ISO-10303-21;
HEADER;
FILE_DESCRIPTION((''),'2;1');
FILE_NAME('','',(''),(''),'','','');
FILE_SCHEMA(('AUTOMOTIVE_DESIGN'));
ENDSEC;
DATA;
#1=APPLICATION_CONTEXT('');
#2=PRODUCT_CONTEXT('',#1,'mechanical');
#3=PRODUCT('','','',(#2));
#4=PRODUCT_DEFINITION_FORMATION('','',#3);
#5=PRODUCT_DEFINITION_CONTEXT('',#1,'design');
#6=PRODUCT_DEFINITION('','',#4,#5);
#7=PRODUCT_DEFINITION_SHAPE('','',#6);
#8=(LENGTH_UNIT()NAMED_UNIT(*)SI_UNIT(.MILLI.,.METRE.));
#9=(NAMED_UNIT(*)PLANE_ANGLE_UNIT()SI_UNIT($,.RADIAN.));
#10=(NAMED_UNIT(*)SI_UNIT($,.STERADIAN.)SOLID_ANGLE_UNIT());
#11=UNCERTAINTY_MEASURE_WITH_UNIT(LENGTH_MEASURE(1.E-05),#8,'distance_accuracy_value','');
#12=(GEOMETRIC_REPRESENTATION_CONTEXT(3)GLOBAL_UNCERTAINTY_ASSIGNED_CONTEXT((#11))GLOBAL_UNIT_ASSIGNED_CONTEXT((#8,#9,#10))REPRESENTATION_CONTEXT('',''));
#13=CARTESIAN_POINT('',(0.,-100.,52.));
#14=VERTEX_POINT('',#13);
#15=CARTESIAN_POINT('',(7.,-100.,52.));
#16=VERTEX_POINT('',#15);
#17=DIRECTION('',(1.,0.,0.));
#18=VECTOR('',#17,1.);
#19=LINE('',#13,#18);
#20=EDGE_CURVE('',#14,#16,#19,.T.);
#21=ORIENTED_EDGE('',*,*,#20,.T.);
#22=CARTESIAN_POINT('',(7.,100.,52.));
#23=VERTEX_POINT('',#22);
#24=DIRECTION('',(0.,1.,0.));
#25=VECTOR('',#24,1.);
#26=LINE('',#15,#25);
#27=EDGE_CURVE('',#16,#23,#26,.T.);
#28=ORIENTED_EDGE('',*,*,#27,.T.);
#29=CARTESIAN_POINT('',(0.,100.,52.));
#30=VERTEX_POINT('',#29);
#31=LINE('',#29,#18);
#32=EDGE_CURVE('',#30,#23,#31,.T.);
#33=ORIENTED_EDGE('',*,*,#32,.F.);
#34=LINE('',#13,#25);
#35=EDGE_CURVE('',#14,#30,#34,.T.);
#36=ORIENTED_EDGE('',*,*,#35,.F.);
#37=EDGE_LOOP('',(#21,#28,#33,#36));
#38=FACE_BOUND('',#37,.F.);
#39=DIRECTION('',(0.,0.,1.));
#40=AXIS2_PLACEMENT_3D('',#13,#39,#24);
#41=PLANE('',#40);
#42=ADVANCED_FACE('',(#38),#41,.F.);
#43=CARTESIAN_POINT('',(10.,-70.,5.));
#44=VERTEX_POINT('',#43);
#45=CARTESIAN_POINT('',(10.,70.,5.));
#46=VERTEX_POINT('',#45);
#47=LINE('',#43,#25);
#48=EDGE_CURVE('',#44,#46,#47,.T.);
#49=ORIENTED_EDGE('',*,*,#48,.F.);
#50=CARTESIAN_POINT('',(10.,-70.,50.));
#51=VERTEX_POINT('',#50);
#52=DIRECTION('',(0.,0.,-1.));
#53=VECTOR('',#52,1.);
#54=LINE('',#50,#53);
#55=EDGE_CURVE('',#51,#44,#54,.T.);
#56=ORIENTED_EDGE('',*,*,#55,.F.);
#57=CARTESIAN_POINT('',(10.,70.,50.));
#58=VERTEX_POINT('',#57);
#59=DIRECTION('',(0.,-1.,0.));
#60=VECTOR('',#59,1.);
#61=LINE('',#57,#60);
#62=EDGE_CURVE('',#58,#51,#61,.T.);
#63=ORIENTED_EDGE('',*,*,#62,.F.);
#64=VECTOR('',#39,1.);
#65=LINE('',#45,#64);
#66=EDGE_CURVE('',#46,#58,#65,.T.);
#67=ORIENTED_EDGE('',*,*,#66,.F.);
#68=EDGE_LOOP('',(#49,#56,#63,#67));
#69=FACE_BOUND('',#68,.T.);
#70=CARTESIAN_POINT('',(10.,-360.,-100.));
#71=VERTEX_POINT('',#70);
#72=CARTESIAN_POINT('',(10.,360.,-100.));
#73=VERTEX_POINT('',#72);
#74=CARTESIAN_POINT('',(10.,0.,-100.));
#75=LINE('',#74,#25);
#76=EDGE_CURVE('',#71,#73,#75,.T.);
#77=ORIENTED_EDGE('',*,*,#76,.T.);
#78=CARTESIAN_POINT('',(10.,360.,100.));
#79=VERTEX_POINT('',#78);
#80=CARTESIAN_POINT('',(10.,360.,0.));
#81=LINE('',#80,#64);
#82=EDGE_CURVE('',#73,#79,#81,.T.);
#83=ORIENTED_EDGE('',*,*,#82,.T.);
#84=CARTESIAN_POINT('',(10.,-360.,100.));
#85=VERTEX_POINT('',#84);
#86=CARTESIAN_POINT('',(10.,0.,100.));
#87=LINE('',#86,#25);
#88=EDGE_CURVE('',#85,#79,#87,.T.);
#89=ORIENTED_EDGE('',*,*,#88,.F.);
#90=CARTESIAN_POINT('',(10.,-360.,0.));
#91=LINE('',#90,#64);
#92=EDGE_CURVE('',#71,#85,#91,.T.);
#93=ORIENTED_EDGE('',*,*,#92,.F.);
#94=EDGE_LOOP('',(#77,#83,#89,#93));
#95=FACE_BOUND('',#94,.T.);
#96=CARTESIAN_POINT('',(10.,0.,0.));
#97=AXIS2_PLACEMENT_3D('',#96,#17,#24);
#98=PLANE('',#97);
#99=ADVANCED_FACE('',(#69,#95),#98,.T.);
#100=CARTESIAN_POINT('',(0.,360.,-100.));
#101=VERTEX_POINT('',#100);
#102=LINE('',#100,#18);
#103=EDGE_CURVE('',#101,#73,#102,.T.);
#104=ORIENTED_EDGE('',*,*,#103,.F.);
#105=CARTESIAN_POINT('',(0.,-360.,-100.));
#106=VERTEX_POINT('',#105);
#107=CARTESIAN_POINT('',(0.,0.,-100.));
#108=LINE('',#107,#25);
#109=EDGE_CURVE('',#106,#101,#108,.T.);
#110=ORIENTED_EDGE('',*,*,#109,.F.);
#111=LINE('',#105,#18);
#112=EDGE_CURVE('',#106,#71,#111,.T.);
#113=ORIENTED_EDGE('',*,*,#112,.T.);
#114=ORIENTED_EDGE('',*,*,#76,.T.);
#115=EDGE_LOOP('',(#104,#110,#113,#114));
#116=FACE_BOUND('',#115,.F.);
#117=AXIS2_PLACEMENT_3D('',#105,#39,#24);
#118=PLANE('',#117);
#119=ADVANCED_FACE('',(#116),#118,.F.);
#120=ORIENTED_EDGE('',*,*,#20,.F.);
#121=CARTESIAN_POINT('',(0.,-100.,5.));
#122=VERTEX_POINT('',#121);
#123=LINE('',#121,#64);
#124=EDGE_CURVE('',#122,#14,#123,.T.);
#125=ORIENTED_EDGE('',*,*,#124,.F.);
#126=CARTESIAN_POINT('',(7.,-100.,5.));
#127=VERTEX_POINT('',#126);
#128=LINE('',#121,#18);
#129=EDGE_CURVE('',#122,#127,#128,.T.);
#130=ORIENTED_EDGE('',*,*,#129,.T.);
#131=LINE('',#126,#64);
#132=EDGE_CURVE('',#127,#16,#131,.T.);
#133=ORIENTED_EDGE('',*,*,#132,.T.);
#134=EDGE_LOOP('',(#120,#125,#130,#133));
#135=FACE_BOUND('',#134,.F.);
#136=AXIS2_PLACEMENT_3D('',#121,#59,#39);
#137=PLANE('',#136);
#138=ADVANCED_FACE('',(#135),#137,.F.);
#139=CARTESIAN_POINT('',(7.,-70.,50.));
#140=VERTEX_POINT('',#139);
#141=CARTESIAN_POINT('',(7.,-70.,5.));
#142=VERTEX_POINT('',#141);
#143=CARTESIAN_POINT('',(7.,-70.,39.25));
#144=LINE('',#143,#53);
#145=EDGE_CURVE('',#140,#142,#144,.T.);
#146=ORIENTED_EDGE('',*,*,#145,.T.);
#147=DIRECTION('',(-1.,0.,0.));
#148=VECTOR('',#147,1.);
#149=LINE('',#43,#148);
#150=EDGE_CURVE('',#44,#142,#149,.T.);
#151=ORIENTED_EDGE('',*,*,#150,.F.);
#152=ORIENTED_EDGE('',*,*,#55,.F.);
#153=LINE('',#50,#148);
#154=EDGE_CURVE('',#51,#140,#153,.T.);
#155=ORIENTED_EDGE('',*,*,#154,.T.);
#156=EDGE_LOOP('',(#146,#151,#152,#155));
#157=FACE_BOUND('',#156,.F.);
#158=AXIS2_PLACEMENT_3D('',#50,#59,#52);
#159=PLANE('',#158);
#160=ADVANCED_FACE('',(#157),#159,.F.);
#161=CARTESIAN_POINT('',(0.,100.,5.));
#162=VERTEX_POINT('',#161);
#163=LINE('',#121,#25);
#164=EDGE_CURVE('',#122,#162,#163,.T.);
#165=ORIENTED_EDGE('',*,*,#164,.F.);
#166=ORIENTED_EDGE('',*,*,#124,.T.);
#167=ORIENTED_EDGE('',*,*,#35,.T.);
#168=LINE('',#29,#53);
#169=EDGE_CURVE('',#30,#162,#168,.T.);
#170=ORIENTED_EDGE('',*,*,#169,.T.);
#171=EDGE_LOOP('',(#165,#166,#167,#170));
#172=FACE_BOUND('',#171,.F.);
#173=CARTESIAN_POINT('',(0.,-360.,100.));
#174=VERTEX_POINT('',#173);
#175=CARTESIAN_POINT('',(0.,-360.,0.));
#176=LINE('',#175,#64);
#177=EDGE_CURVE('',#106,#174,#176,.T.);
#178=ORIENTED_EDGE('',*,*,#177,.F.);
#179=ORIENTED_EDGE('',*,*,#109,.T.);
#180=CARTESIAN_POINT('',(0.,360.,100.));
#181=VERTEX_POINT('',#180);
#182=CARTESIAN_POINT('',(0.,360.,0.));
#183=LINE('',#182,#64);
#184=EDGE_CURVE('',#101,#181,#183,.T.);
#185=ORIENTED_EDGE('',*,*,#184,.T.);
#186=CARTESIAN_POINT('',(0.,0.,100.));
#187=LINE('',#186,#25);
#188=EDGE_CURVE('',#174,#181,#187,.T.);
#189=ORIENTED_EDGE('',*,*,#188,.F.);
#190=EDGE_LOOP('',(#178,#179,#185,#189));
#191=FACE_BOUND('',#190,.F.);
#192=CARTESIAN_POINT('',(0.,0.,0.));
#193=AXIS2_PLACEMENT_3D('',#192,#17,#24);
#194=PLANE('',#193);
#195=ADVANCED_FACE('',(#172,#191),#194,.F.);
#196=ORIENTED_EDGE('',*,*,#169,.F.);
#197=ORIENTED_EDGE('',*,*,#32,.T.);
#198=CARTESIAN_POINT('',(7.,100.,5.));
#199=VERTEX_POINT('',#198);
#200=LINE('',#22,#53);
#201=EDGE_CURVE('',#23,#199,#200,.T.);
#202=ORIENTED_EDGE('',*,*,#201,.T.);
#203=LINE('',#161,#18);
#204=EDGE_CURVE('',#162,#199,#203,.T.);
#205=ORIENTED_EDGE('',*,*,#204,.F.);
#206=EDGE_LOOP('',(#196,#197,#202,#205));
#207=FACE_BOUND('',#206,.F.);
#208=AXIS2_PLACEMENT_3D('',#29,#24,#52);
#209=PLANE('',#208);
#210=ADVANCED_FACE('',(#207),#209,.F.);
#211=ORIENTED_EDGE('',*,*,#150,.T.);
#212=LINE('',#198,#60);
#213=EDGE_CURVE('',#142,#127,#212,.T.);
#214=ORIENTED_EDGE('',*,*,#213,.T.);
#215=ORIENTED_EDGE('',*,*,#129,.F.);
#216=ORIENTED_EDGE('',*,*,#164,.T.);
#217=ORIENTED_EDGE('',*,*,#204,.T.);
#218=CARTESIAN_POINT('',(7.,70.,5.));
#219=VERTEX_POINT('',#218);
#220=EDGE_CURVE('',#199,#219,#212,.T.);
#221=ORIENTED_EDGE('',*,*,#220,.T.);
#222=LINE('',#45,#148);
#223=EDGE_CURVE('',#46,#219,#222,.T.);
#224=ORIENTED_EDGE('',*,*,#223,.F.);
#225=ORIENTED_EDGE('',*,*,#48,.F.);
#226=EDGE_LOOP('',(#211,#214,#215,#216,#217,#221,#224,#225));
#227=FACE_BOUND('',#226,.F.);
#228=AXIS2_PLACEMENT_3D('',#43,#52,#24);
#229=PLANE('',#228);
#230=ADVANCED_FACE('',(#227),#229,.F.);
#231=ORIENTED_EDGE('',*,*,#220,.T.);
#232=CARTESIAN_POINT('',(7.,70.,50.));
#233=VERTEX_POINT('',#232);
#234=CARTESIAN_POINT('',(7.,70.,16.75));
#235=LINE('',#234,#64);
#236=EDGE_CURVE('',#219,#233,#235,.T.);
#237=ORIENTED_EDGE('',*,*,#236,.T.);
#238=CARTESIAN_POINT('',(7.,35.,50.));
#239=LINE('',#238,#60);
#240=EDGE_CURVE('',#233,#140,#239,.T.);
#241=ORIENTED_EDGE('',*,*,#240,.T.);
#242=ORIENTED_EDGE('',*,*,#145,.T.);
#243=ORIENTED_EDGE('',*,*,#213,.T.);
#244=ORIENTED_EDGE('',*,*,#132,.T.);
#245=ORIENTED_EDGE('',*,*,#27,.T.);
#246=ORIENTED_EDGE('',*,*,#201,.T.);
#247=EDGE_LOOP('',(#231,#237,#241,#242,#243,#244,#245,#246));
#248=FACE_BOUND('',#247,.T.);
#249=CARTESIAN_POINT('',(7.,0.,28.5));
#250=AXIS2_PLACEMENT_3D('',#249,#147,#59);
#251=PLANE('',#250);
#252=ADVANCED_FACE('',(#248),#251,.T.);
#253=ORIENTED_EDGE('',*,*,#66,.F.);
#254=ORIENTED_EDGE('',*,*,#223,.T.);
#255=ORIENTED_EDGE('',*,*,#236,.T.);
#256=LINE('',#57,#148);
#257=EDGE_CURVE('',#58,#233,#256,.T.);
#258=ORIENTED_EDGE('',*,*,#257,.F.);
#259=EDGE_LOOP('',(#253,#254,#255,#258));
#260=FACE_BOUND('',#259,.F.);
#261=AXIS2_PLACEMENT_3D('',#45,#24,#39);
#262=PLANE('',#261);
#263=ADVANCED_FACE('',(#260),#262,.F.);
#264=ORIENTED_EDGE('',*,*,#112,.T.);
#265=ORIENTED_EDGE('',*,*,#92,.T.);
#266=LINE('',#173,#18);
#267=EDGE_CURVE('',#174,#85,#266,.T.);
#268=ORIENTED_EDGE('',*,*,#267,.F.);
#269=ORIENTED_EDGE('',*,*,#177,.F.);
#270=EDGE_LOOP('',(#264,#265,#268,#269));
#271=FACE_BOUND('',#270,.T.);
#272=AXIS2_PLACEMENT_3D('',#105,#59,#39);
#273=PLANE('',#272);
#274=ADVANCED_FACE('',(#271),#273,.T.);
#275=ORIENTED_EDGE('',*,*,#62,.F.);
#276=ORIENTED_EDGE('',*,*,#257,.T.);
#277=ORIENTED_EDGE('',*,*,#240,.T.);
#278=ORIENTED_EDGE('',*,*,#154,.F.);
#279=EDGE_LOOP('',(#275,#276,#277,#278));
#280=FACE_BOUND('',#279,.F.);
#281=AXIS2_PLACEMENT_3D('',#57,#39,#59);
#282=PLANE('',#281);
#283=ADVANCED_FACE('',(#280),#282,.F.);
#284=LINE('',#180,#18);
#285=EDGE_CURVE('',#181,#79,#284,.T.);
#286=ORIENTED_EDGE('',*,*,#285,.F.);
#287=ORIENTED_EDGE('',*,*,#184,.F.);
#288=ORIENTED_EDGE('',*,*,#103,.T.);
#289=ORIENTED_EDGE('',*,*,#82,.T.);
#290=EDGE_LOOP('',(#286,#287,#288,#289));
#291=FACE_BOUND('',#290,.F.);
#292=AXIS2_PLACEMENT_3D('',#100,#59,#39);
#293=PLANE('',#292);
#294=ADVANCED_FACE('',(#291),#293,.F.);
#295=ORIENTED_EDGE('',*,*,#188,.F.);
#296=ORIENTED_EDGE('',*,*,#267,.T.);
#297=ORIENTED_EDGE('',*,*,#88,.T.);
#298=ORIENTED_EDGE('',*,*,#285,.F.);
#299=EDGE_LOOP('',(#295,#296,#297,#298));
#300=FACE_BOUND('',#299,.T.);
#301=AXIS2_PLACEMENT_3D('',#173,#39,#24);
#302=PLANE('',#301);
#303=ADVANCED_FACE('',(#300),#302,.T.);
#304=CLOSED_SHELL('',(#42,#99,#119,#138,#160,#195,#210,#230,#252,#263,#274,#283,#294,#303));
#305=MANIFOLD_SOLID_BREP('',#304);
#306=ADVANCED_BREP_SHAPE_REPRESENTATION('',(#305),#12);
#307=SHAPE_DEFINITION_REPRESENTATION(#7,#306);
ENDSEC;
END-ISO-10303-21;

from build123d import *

# Parameters (mm, degrees)
F0_W     = 720
F0_H     = 200
F1_DEPTH = 10
F3_DEPTH = 25
F5_DEPTH = 7


with BuildPart() as f1:
    # F0 (on Right) → F1 (new body)
    with BuildSketch(Plane.YZ):
        Rectangle(F0_W, F0_H)
    extrude(amount=F1_DEPTH)

    # F2 (on face) → F3 (cut)
    with BuildSketch(Plane.YZ.offset(10)):
        Polygon((-70, 5), (0, 5), (70, 5), (70, 50), (-70, 50), align=None)
    extrude(amount=-F3_DEPTH, mode=Mode.SUBTRACT)

    # F4 (on face) → F5 (cut)
    with BuildSketch(Plane(origin=(0, 0, 0), x_dir=(0, -1, 0), z_dir=(-1, 0, 0))):
        Polygon((-100, 5), (0, 5), (100, 5), (100, 52), (-100, 52), align=None)
    extrude(amount=-F5_DEPTH, mode=Mode.SUBTRACT)


solid = f1.part
